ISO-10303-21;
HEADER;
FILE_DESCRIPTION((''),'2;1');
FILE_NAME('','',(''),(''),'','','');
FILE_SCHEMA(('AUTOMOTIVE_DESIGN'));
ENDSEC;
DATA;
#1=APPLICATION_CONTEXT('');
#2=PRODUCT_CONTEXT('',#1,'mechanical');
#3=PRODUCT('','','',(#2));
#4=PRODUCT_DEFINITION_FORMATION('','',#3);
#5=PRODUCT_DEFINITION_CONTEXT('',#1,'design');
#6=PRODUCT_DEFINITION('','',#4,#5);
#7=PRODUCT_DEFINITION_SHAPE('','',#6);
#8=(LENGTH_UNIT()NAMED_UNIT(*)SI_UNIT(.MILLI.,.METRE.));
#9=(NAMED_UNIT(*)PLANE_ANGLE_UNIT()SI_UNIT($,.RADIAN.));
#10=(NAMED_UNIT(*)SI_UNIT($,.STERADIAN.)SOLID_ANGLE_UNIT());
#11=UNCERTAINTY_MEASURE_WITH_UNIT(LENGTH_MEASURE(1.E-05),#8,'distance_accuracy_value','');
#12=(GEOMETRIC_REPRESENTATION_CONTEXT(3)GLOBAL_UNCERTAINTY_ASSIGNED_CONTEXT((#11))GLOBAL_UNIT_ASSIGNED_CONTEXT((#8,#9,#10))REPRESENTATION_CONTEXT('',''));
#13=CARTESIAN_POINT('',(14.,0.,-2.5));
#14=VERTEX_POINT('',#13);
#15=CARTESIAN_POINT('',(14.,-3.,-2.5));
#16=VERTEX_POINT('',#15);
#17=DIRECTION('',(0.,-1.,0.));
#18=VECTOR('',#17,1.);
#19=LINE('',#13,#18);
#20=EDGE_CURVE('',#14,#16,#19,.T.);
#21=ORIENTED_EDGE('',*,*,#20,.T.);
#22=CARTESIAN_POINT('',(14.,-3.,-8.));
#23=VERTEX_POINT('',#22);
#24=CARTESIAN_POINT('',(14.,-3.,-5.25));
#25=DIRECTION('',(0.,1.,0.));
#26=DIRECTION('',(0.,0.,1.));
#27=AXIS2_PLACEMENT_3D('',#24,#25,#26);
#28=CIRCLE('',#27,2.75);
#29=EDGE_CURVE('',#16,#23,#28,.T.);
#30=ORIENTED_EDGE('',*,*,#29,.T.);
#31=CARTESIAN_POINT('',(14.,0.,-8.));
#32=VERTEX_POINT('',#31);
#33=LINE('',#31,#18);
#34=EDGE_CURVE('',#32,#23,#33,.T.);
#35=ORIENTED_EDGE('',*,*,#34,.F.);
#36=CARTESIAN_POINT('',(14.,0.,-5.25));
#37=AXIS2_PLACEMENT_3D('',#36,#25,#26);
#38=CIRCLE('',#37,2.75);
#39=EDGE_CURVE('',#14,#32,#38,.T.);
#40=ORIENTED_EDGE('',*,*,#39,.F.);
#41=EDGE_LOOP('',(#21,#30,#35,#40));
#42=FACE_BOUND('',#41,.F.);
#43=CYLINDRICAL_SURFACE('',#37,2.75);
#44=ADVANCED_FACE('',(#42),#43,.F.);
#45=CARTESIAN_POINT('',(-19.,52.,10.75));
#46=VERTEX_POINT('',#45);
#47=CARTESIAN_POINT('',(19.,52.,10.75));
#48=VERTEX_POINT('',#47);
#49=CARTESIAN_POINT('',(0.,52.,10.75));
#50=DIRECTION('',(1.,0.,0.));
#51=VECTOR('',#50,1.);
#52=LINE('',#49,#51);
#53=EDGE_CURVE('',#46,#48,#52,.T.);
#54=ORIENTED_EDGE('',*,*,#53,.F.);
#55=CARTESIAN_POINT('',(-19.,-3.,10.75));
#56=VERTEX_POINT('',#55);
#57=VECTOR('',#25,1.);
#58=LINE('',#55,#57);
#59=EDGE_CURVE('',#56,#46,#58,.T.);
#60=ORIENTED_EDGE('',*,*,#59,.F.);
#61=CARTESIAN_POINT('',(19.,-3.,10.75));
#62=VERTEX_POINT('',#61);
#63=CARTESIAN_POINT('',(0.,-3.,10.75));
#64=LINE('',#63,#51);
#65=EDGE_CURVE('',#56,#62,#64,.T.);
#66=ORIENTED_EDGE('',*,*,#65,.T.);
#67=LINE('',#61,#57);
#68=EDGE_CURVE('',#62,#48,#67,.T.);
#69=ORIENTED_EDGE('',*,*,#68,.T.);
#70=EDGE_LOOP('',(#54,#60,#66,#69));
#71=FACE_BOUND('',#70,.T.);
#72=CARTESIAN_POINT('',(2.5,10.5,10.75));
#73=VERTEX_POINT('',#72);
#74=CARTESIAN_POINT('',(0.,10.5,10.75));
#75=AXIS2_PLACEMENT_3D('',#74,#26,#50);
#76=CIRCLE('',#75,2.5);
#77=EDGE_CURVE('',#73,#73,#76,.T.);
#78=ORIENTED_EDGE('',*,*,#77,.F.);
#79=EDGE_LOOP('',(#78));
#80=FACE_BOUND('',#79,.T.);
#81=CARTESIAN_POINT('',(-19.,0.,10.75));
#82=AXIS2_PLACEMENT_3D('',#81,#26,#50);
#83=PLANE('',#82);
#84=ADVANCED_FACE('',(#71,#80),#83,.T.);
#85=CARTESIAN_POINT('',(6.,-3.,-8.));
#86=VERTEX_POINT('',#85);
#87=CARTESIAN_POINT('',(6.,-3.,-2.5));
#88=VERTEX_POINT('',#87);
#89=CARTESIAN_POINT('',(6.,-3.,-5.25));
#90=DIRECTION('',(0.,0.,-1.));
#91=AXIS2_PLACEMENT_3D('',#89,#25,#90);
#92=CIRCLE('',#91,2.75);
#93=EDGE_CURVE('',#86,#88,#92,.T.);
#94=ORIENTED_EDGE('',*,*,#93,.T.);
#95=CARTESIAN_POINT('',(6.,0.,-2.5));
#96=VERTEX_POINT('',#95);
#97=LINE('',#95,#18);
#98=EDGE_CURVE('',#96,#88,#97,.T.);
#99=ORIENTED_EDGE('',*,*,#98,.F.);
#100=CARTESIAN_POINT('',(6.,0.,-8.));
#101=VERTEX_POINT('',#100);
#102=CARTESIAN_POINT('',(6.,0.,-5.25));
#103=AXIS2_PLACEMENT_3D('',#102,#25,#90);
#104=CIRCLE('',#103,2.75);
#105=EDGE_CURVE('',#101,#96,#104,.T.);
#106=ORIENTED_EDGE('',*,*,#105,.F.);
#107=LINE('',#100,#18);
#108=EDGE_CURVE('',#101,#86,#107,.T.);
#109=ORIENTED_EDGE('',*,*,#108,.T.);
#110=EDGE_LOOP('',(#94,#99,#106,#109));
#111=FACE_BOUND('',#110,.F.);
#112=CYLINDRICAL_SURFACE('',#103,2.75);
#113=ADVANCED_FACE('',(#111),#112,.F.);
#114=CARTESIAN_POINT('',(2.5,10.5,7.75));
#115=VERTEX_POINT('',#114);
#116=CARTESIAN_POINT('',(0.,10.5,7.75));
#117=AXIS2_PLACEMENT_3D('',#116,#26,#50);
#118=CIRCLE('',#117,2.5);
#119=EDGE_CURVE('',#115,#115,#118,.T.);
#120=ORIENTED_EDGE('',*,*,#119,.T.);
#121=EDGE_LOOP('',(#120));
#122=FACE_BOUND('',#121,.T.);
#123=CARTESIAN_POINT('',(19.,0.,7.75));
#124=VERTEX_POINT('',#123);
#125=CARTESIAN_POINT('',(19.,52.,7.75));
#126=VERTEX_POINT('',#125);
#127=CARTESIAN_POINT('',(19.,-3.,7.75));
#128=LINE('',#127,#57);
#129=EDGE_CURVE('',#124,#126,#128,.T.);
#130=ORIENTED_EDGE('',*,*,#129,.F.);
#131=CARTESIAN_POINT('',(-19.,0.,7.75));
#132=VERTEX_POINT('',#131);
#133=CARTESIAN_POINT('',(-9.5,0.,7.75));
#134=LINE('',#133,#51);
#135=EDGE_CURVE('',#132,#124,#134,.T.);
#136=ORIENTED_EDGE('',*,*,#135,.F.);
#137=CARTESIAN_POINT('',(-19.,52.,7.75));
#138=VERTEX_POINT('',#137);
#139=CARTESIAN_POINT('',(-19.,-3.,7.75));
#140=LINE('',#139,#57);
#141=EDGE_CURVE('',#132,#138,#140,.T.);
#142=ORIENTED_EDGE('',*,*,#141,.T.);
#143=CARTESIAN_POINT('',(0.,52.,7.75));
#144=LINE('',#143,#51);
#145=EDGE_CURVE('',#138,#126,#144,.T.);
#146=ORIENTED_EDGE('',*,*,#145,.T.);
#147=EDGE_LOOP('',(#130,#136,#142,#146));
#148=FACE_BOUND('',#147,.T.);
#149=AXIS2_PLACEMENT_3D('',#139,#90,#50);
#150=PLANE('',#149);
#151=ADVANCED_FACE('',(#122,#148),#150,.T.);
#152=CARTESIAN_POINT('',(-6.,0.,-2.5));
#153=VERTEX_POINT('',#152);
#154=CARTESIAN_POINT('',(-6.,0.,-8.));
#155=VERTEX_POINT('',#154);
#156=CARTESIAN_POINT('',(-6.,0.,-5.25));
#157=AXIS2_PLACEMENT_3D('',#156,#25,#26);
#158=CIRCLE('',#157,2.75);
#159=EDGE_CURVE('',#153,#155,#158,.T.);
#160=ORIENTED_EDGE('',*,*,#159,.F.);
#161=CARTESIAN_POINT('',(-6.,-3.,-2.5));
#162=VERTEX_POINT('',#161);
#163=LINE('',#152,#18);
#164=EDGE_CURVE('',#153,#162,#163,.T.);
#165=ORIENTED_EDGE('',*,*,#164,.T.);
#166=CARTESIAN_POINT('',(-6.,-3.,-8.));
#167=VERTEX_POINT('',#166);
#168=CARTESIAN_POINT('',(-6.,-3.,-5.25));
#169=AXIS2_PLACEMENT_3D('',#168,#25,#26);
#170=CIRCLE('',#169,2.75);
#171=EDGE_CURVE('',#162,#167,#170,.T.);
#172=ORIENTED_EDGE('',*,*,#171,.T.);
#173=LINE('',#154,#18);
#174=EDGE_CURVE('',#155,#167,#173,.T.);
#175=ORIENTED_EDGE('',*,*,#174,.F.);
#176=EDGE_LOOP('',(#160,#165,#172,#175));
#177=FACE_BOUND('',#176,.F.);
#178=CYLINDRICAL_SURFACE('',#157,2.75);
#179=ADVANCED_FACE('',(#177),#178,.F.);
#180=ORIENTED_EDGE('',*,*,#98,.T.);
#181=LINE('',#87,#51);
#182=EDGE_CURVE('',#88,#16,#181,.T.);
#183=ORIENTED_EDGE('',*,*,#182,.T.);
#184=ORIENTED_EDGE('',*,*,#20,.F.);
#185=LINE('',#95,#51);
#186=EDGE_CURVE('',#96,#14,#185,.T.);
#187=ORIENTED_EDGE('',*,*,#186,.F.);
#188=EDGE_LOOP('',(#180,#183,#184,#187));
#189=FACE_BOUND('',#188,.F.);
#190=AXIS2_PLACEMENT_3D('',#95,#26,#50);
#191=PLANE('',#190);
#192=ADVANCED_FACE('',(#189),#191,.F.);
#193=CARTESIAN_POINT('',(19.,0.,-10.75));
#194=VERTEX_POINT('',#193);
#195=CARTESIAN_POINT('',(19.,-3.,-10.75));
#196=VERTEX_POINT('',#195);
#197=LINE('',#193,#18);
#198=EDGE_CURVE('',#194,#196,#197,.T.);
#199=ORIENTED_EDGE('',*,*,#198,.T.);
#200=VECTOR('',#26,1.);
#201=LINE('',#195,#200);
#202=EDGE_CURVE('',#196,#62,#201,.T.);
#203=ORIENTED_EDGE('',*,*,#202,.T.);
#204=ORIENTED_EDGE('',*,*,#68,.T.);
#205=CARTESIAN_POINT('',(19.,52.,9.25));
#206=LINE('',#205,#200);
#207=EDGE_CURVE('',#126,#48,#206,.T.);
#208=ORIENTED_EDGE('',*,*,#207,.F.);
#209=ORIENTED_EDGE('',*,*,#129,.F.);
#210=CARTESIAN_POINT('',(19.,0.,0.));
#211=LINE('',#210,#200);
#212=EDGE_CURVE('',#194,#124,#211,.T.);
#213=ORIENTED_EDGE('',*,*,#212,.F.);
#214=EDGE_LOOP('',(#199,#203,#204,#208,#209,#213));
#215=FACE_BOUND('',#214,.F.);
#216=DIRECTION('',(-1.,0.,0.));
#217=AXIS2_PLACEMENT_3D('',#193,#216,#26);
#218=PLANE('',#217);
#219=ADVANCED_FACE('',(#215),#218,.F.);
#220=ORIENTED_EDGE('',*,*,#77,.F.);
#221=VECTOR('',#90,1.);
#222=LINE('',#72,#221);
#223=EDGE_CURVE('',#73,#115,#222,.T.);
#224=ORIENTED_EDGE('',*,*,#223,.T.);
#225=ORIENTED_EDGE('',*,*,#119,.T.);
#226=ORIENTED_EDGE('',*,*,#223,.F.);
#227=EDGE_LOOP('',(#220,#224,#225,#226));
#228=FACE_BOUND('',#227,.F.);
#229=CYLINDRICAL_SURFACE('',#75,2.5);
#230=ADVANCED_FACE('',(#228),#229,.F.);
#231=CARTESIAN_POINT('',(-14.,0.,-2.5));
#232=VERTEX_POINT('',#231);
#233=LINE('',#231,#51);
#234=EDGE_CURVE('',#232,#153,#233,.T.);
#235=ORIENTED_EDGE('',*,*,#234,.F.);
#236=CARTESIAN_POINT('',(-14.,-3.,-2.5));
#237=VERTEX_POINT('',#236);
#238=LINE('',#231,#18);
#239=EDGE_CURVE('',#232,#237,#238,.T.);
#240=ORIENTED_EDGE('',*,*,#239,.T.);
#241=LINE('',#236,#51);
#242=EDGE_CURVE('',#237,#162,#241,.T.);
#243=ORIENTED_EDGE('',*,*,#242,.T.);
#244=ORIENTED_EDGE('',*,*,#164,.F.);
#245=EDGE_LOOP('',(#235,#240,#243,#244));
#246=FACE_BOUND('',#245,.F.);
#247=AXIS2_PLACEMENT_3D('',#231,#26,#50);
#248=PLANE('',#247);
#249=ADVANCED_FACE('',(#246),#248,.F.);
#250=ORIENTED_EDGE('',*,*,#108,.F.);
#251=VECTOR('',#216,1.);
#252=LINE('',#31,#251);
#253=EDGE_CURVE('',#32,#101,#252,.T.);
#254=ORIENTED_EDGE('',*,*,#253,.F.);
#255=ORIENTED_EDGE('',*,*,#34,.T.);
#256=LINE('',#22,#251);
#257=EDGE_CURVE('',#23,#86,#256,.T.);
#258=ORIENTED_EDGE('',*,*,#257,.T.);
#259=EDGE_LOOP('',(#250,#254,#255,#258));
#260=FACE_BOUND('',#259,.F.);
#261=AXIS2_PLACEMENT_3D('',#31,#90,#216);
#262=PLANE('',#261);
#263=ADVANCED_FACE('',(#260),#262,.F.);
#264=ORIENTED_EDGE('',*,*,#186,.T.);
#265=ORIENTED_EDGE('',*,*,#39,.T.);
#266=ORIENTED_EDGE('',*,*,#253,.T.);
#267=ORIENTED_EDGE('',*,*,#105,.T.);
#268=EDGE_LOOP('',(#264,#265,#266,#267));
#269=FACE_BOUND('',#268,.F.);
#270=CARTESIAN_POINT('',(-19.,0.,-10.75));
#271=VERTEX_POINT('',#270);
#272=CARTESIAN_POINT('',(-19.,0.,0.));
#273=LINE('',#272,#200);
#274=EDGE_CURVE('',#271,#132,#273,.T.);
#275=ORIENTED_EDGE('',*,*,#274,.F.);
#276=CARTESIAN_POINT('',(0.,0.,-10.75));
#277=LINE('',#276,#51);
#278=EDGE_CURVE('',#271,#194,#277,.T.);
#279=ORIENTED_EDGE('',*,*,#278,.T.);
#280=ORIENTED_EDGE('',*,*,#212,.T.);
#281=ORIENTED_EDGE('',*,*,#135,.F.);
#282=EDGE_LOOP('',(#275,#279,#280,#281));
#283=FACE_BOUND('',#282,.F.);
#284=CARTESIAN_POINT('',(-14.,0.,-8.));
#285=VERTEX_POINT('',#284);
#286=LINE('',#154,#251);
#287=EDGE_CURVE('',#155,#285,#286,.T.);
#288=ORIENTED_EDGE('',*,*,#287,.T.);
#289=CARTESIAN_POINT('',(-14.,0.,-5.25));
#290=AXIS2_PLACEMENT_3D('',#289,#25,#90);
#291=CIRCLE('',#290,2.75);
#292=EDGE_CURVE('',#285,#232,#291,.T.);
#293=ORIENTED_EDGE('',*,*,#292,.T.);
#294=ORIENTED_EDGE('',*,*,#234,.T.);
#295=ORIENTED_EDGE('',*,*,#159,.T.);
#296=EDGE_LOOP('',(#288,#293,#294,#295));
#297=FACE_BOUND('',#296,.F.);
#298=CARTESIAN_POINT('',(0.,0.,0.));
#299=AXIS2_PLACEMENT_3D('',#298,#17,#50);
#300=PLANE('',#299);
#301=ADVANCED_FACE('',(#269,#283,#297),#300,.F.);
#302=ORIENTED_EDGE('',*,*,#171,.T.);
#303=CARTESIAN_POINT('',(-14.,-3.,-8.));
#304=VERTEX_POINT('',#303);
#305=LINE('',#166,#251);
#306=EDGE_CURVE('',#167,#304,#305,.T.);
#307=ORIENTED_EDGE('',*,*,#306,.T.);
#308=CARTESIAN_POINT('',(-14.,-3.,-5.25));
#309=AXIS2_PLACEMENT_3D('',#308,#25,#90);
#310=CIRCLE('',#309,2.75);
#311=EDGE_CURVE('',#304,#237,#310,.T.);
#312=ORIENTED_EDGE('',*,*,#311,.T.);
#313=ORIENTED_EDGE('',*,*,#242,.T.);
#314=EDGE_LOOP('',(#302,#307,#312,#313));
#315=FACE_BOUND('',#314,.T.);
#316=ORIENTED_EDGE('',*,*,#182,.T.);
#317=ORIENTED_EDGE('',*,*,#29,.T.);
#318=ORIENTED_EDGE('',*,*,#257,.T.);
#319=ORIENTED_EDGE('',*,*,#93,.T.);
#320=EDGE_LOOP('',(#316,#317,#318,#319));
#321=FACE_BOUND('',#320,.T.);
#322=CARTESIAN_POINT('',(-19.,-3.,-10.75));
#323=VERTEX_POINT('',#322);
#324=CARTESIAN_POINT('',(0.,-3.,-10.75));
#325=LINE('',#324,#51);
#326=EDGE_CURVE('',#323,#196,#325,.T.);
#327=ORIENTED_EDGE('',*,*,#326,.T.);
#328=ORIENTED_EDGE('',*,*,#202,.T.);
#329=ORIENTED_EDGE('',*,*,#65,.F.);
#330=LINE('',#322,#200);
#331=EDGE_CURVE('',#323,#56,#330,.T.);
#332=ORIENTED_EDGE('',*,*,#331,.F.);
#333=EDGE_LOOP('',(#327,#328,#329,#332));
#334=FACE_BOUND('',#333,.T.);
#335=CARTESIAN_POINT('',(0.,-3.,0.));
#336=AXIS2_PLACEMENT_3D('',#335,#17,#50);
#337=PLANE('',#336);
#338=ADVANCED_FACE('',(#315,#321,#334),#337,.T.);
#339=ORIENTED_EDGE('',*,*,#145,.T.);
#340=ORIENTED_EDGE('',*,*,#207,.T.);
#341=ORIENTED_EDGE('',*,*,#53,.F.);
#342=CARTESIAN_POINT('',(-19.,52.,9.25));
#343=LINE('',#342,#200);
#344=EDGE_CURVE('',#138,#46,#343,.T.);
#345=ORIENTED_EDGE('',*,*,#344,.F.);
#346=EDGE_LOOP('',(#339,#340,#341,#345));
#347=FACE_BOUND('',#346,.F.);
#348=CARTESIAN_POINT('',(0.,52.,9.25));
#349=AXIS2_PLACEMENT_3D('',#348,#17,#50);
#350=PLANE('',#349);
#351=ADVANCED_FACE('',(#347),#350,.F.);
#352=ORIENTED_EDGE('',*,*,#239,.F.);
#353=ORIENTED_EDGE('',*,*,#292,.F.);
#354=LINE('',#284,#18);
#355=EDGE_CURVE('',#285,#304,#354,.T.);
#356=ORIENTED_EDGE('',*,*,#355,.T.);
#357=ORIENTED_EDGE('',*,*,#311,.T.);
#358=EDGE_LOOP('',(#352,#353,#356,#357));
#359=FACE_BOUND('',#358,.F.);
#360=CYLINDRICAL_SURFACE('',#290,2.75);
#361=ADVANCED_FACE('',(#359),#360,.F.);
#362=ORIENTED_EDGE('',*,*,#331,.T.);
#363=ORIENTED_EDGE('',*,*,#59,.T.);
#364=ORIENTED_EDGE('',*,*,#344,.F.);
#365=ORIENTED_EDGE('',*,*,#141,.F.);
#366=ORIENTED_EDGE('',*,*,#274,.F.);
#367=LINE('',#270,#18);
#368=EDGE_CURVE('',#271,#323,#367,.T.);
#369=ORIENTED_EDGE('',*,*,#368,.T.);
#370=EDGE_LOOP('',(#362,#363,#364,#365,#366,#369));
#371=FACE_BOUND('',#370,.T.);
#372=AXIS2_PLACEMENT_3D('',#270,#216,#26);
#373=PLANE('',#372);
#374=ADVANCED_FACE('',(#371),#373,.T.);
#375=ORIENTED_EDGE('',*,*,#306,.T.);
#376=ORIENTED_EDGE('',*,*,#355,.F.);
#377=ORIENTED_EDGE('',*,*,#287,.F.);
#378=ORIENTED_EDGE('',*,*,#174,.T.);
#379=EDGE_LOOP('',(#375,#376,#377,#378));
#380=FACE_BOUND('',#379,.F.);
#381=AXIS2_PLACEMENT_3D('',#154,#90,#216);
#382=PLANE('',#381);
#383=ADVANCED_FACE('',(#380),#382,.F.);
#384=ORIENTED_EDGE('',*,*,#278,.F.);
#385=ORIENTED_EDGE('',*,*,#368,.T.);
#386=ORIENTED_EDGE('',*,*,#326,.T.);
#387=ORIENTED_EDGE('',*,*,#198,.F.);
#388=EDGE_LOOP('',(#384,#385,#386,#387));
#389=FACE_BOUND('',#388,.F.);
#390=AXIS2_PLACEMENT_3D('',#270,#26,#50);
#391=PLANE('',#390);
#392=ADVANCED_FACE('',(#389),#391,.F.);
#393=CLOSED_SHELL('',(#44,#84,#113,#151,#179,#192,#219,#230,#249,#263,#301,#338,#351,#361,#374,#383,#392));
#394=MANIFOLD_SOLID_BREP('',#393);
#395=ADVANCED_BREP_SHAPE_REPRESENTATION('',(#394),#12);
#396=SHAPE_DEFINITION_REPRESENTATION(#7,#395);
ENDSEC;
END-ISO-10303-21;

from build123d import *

# Parameters (mm, degrees)
F0_W     = 38
F0_H     = 21.5
F1_DEPTH = 3
F2_W     = 38
F2_H     = 3
F3_DEPTH = 55
F4_R     = 2.5
F5_DEPTH = 21.501


with BuildPart() as f1:
    # F0 (on Front) → F1 (new body)
    with BuildSketch(Plane.XZ):
        Rectangle(F0_W, F0_H)
        with BuildLine():
            ThreePointArc((-14, -8), (-16.75, -5.25), (-14, -2.5))
            Line((-14, -2.5), (-6, -2.5))
            ThreePointArc((-6, -2.5), (-3.25, -5.25), (-6, -8))
            Line((-6, -8), (-14, -8))
        make_face(mode=Mode.SUBTRACT)
        with BuildLine():
            Line((14, -8), (6, -8))
            ThreePointArc((6, -8), (3.25, -5.25), (6, -2.5))
            Line((6, -2.5), (14, -2.5))
            ThreePointArc((14, -2.5), (16.75, -5.25), (14, -8))
        make_face(mode=Mode.SUBTRACT)
    extrude(amount=F1_DEPTH)

    # F2 (on face) → F3 (join)
    with BuildSketch(Plane.XZ.offset(3)):
        with Locations((0, 9.25)):
            Rectangle(F2_W, F2_H)
    extrude(amount=-F3_DEPTH)

    # F4 (on face) → F5 (cut, through all)
    with BuildSketch(Plane.XY.offset(10.75)):
        with Locations((0, 10.5)):
            Circle(F4_R)
    extrude(amount=-F5_DEPTH, mode=Mode.SUBTRACT)


solid = f1.part
